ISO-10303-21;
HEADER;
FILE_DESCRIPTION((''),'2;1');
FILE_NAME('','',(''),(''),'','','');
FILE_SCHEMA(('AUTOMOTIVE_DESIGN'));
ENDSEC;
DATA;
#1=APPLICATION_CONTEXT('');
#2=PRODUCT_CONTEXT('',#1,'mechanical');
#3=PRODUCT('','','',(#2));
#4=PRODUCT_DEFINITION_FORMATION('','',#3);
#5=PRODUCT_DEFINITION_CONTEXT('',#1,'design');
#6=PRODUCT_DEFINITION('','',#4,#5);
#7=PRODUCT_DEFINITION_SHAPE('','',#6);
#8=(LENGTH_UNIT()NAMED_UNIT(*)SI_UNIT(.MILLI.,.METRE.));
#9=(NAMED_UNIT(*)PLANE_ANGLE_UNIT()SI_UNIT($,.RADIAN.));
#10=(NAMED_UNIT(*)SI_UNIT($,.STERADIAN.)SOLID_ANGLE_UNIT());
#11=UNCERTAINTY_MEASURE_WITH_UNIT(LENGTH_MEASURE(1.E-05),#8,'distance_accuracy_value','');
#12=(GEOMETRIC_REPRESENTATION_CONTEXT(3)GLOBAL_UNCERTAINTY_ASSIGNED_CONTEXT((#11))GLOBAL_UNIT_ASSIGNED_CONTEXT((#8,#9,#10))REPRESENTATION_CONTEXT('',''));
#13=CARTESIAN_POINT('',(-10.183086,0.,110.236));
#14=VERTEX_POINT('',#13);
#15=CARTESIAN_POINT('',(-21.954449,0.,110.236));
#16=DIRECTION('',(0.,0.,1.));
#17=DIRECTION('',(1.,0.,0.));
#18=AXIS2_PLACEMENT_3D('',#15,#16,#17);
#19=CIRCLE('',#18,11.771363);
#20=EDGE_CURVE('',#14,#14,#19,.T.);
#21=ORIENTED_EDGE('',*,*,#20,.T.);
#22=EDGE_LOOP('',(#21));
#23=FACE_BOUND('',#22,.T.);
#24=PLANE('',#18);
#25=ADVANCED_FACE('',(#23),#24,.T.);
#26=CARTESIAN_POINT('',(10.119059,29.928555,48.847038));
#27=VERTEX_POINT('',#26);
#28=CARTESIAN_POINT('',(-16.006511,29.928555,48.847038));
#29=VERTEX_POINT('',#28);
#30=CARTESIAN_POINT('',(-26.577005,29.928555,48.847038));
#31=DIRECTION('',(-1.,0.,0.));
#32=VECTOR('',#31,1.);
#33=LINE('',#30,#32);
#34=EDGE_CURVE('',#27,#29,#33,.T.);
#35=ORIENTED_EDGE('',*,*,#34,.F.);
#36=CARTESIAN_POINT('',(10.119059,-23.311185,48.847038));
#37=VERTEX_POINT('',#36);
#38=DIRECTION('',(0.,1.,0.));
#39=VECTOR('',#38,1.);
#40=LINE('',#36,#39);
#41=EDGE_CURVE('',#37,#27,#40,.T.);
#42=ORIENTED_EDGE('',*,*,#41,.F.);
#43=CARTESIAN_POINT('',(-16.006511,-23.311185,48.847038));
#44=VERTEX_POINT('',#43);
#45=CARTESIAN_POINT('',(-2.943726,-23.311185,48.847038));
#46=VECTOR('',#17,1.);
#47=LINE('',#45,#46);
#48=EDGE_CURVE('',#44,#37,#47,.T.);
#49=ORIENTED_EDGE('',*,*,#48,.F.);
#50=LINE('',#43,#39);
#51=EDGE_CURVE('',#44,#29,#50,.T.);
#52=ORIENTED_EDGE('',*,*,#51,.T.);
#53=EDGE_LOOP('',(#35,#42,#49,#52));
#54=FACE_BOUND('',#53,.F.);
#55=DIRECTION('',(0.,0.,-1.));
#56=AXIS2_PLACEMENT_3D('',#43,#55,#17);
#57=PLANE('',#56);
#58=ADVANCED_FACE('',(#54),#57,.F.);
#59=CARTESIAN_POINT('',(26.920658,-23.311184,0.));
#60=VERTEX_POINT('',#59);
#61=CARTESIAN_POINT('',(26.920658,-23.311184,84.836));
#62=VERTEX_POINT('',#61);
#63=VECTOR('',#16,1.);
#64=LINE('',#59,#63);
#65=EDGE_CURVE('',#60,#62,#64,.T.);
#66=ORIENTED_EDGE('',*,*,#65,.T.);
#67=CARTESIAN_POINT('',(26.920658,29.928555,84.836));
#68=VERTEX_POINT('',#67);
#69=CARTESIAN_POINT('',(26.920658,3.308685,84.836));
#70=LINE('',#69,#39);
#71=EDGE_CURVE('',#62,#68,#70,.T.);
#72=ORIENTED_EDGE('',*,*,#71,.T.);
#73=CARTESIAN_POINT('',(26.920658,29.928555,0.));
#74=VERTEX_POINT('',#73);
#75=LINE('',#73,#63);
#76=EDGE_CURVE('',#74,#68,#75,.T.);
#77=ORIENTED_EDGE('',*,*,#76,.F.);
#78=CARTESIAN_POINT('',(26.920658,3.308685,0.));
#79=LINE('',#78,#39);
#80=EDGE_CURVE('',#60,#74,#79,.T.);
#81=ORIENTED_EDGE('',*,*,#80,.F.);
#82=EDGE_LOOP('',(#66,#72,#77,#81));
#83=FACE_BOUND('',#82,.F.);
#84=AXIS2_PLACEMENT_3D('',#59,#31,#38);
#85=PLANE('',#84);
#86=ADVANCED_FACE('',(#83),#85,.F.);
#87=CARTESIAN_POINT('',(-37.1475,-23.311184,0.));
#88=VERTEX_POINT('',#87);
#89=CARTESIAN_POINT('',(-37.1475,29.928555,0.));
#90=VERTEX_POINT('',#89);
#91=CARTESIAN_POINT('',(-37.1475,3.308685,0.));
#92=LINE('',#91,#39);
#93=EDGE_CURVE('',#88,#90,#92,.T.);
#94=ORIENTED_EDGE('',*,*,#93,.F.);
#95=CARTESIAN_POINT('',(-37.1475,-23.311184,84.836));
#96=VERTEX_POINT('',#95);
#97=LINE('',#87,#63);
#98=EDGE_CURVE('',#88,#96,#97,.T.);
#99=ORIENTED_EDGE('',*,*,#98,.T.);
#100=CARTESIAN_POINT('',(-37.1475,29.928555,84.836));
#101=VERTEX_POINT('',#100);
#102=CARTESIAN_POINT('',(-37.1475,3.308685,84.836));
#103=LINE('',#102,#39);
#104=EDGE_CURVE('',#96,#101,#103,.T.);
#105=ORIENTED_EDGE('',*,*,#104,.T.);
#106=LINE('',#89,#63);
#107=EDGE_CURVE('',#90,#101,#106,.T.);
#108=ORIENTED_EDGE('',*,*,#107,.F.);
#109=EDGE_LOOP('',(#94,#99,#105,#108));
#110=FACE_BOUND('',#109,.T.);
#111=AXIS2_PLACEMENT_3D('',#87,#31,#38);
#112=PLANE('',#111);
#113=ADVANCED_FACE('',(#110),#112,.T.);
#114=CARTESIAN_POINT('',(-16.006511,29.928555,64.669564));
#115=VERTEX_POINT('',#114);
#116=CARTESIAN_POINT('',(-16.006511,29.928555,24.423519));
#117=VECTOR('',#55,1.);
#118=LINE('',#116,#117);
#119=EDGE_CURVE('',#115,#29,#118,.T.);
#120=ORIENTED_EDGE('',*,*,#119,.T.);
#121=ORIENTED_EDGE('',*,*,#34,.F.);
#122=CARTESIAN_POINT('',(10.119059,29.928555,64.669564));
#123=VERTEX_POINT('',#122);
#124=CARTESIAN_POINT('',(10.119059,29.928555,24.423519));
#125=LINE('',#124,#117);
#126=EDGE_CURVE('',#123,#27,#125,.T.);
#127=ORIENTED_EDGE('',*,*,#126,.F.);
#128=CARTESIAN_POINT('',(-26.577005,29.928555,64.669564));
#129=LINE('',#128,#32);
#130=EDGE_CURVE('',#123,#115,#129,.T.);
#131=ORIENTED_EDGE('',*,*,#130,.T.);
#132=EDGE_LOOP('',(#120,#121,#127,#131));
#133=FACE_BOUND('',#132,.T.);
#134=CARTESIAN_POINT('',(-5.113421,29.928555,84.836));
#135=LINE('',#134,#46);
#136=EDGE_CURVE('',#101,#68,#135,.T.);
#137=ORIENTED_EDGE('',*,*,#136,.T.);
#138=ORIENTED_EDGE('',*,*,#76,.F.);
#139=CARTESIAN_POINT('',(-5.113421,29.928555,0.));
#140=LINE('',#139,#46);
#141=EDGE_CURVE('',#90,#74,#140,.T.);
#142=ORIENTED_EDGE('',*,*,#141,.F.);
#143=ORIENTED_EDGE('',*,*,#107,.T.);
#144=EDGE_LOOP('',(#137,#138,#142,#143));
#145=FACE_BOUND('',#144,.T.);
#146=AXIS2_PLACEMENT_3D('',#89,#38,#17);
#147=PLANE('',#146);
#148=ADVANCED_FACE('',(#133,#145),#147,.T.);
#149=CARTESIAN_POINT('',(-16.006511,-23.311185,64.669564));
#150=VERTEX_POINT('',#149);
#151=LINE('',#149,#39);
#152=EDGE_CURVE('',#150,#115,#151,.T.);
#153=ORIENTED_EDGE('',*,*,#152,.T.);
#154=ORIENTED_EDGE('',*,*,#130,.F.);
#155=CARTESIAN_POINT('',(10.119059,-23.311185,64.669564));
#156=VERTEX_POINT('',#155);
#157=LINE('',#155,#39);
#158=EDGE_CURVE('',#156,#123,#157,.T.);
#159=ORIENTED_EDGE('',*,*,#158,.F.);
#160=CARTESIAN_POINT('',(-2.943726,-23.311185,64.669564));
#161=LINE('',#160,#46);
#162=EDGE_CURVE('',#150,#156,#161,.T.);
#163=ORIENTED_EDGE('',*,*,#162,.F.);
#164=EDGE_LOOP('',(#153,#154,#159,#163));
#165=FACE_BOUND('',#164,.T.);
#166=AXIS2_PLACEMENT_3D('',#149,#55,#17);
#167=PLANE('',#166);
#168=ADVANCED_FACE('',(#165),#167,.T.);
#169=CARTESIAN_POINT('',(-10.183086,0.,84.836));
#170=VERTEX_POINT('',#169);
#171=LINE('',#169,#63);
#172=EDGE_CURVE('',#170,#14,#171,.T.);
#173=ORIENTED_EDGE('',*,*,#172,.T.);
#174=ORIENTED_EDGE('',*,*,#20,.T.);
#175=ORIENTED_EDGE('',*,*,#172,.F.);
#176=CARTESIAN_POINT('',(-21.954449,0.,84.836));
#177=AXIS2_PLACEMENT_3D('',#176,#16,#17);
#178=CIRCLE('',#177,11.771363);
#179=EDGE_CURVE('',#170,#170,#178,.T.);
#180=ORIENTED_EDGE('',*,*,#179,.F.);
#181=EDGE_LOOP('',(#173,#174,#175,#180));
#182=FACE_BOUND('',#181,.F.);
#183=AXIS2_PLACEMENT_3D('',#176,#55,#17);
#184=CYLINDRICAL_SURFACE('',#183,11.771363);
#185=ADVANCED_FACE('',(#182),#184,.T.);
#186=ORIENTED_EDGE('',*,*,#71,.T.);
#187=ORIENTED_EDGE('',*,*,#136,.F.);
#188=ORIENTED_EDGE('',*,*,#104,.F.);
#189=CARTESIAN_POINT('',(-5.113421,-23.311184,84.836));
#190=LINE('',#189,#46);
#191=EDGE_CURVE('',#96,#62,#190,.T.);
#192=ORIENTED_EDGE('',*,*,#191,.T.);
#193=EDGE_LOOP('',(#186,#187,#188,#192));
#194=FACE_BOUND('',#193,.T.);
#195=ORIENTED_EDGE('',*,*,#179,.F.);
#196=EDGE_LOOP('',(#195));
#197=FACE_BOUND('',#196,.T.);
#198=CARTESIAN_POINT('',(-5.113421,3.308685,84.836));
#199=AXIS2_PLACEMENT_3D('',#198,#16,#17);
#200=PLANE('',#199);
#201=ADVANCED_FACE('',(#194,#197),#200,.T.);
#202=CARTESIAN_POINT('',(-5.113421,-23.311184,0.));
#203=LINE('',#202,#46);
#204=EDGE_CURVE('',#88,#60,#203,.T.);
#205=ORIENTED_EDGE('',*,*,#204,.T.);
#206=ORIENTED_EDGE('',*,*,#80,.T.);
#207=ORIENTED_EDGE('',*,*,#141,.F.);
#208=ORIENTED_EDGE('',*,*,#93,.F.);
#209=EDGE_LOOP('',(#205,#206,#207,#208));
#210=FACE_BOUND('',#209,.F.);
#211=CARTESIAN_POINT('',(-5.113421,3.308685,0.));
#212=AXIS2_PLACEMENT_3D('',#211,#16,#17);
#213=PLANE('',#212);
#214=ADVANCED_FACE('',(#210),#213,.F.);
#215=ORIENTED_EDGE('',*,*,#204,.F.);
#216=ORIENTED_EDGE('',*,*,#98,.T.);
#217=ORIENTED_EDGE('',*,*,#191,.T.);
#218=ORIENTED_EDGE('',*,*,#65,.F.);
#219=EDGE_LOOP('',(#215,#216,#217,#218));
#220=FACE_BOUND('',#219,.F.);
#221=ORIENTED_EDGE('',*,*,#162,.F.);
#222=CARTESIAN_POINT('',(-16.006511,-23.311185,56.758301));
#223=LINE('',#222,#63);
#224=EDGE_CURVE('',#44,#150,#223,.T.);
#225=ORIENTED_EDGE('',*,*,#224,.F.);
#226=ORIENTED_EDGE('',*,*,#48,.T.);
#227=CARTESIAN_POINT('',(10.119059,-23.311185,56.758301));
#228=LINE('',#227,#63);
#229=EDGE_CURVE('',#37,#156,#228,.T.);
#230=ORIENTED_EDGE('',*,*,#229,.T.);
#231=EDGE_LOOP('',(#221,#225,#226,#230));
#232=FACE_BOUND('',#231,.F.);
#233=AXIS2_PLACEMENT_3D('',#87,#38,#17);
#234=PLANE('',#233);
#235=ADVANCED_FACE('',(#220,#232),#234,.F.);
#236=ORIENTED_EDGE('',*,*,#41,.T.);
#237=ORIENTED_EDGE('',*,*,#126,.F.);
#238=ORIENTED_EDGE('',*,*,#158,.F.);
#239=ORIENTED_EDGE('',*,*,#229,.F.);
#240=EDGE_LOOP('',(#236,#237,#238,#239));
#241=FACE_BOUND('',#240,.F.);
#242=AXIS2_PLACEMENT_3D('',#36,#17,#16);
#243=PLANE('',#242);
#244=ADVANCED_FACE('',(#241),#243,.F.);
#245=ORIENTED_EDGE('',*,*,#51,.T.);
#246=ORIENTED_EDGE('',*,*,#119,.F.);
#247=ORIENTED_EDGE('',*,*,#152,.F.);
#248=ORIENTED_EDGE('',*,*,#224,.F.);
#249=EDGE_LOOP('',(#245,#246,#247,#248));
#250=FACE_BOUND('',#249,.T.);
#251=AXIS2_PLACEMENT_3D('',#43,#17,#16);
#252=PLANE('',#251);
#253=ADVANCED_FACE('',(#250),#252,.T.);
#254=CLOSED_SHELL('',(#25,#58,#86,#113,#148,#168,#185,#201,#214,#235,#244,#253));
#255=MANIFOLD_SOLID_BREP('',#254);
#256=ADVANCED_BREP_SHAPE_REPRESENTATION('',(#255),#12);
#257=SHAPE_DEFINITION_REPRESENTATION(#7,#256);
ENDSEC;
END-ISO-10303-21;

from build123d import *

# Parameters (mm, degrees)
F0_W     = 64.068158
F0_H     = 53.239739
F1_DEPTH = 84.836
F2_R     = 11.771363
F3_DEPTH = 25.4
F4_W     = 26.12557
F4_H     = 15.822526
F5_DEPTH = 82.55


with BuildPart() as f1:
    # F0 (on Top) → F1 (new body)
    with BuildSketch(Plane.XY):
        with Locations((-5.113421, 3.308685)):
            Rectangle(F0_W, F0_H)
    extrude(amount=F1_DEPTH)

    # F2 (on face) → F3 (join)
    with BuildSketch(Plane.XY.offset(84.836)):
        with Locations((-21.954449, 0)):
            Circle(F2_R)
    extrude(amount=F3_DEPTH)

    # F4 (on face) → F5 (cut)
    with BuildSketch(Plane.XZ.offset(23.311185)):
        with Locations((-2.943726, 56.758301)):
            Rectangle(F4_W, F4_H)
    extrude(amount=-F5_DEPTH, mode=Mode.SUBTRACT)


solid = f1.part
